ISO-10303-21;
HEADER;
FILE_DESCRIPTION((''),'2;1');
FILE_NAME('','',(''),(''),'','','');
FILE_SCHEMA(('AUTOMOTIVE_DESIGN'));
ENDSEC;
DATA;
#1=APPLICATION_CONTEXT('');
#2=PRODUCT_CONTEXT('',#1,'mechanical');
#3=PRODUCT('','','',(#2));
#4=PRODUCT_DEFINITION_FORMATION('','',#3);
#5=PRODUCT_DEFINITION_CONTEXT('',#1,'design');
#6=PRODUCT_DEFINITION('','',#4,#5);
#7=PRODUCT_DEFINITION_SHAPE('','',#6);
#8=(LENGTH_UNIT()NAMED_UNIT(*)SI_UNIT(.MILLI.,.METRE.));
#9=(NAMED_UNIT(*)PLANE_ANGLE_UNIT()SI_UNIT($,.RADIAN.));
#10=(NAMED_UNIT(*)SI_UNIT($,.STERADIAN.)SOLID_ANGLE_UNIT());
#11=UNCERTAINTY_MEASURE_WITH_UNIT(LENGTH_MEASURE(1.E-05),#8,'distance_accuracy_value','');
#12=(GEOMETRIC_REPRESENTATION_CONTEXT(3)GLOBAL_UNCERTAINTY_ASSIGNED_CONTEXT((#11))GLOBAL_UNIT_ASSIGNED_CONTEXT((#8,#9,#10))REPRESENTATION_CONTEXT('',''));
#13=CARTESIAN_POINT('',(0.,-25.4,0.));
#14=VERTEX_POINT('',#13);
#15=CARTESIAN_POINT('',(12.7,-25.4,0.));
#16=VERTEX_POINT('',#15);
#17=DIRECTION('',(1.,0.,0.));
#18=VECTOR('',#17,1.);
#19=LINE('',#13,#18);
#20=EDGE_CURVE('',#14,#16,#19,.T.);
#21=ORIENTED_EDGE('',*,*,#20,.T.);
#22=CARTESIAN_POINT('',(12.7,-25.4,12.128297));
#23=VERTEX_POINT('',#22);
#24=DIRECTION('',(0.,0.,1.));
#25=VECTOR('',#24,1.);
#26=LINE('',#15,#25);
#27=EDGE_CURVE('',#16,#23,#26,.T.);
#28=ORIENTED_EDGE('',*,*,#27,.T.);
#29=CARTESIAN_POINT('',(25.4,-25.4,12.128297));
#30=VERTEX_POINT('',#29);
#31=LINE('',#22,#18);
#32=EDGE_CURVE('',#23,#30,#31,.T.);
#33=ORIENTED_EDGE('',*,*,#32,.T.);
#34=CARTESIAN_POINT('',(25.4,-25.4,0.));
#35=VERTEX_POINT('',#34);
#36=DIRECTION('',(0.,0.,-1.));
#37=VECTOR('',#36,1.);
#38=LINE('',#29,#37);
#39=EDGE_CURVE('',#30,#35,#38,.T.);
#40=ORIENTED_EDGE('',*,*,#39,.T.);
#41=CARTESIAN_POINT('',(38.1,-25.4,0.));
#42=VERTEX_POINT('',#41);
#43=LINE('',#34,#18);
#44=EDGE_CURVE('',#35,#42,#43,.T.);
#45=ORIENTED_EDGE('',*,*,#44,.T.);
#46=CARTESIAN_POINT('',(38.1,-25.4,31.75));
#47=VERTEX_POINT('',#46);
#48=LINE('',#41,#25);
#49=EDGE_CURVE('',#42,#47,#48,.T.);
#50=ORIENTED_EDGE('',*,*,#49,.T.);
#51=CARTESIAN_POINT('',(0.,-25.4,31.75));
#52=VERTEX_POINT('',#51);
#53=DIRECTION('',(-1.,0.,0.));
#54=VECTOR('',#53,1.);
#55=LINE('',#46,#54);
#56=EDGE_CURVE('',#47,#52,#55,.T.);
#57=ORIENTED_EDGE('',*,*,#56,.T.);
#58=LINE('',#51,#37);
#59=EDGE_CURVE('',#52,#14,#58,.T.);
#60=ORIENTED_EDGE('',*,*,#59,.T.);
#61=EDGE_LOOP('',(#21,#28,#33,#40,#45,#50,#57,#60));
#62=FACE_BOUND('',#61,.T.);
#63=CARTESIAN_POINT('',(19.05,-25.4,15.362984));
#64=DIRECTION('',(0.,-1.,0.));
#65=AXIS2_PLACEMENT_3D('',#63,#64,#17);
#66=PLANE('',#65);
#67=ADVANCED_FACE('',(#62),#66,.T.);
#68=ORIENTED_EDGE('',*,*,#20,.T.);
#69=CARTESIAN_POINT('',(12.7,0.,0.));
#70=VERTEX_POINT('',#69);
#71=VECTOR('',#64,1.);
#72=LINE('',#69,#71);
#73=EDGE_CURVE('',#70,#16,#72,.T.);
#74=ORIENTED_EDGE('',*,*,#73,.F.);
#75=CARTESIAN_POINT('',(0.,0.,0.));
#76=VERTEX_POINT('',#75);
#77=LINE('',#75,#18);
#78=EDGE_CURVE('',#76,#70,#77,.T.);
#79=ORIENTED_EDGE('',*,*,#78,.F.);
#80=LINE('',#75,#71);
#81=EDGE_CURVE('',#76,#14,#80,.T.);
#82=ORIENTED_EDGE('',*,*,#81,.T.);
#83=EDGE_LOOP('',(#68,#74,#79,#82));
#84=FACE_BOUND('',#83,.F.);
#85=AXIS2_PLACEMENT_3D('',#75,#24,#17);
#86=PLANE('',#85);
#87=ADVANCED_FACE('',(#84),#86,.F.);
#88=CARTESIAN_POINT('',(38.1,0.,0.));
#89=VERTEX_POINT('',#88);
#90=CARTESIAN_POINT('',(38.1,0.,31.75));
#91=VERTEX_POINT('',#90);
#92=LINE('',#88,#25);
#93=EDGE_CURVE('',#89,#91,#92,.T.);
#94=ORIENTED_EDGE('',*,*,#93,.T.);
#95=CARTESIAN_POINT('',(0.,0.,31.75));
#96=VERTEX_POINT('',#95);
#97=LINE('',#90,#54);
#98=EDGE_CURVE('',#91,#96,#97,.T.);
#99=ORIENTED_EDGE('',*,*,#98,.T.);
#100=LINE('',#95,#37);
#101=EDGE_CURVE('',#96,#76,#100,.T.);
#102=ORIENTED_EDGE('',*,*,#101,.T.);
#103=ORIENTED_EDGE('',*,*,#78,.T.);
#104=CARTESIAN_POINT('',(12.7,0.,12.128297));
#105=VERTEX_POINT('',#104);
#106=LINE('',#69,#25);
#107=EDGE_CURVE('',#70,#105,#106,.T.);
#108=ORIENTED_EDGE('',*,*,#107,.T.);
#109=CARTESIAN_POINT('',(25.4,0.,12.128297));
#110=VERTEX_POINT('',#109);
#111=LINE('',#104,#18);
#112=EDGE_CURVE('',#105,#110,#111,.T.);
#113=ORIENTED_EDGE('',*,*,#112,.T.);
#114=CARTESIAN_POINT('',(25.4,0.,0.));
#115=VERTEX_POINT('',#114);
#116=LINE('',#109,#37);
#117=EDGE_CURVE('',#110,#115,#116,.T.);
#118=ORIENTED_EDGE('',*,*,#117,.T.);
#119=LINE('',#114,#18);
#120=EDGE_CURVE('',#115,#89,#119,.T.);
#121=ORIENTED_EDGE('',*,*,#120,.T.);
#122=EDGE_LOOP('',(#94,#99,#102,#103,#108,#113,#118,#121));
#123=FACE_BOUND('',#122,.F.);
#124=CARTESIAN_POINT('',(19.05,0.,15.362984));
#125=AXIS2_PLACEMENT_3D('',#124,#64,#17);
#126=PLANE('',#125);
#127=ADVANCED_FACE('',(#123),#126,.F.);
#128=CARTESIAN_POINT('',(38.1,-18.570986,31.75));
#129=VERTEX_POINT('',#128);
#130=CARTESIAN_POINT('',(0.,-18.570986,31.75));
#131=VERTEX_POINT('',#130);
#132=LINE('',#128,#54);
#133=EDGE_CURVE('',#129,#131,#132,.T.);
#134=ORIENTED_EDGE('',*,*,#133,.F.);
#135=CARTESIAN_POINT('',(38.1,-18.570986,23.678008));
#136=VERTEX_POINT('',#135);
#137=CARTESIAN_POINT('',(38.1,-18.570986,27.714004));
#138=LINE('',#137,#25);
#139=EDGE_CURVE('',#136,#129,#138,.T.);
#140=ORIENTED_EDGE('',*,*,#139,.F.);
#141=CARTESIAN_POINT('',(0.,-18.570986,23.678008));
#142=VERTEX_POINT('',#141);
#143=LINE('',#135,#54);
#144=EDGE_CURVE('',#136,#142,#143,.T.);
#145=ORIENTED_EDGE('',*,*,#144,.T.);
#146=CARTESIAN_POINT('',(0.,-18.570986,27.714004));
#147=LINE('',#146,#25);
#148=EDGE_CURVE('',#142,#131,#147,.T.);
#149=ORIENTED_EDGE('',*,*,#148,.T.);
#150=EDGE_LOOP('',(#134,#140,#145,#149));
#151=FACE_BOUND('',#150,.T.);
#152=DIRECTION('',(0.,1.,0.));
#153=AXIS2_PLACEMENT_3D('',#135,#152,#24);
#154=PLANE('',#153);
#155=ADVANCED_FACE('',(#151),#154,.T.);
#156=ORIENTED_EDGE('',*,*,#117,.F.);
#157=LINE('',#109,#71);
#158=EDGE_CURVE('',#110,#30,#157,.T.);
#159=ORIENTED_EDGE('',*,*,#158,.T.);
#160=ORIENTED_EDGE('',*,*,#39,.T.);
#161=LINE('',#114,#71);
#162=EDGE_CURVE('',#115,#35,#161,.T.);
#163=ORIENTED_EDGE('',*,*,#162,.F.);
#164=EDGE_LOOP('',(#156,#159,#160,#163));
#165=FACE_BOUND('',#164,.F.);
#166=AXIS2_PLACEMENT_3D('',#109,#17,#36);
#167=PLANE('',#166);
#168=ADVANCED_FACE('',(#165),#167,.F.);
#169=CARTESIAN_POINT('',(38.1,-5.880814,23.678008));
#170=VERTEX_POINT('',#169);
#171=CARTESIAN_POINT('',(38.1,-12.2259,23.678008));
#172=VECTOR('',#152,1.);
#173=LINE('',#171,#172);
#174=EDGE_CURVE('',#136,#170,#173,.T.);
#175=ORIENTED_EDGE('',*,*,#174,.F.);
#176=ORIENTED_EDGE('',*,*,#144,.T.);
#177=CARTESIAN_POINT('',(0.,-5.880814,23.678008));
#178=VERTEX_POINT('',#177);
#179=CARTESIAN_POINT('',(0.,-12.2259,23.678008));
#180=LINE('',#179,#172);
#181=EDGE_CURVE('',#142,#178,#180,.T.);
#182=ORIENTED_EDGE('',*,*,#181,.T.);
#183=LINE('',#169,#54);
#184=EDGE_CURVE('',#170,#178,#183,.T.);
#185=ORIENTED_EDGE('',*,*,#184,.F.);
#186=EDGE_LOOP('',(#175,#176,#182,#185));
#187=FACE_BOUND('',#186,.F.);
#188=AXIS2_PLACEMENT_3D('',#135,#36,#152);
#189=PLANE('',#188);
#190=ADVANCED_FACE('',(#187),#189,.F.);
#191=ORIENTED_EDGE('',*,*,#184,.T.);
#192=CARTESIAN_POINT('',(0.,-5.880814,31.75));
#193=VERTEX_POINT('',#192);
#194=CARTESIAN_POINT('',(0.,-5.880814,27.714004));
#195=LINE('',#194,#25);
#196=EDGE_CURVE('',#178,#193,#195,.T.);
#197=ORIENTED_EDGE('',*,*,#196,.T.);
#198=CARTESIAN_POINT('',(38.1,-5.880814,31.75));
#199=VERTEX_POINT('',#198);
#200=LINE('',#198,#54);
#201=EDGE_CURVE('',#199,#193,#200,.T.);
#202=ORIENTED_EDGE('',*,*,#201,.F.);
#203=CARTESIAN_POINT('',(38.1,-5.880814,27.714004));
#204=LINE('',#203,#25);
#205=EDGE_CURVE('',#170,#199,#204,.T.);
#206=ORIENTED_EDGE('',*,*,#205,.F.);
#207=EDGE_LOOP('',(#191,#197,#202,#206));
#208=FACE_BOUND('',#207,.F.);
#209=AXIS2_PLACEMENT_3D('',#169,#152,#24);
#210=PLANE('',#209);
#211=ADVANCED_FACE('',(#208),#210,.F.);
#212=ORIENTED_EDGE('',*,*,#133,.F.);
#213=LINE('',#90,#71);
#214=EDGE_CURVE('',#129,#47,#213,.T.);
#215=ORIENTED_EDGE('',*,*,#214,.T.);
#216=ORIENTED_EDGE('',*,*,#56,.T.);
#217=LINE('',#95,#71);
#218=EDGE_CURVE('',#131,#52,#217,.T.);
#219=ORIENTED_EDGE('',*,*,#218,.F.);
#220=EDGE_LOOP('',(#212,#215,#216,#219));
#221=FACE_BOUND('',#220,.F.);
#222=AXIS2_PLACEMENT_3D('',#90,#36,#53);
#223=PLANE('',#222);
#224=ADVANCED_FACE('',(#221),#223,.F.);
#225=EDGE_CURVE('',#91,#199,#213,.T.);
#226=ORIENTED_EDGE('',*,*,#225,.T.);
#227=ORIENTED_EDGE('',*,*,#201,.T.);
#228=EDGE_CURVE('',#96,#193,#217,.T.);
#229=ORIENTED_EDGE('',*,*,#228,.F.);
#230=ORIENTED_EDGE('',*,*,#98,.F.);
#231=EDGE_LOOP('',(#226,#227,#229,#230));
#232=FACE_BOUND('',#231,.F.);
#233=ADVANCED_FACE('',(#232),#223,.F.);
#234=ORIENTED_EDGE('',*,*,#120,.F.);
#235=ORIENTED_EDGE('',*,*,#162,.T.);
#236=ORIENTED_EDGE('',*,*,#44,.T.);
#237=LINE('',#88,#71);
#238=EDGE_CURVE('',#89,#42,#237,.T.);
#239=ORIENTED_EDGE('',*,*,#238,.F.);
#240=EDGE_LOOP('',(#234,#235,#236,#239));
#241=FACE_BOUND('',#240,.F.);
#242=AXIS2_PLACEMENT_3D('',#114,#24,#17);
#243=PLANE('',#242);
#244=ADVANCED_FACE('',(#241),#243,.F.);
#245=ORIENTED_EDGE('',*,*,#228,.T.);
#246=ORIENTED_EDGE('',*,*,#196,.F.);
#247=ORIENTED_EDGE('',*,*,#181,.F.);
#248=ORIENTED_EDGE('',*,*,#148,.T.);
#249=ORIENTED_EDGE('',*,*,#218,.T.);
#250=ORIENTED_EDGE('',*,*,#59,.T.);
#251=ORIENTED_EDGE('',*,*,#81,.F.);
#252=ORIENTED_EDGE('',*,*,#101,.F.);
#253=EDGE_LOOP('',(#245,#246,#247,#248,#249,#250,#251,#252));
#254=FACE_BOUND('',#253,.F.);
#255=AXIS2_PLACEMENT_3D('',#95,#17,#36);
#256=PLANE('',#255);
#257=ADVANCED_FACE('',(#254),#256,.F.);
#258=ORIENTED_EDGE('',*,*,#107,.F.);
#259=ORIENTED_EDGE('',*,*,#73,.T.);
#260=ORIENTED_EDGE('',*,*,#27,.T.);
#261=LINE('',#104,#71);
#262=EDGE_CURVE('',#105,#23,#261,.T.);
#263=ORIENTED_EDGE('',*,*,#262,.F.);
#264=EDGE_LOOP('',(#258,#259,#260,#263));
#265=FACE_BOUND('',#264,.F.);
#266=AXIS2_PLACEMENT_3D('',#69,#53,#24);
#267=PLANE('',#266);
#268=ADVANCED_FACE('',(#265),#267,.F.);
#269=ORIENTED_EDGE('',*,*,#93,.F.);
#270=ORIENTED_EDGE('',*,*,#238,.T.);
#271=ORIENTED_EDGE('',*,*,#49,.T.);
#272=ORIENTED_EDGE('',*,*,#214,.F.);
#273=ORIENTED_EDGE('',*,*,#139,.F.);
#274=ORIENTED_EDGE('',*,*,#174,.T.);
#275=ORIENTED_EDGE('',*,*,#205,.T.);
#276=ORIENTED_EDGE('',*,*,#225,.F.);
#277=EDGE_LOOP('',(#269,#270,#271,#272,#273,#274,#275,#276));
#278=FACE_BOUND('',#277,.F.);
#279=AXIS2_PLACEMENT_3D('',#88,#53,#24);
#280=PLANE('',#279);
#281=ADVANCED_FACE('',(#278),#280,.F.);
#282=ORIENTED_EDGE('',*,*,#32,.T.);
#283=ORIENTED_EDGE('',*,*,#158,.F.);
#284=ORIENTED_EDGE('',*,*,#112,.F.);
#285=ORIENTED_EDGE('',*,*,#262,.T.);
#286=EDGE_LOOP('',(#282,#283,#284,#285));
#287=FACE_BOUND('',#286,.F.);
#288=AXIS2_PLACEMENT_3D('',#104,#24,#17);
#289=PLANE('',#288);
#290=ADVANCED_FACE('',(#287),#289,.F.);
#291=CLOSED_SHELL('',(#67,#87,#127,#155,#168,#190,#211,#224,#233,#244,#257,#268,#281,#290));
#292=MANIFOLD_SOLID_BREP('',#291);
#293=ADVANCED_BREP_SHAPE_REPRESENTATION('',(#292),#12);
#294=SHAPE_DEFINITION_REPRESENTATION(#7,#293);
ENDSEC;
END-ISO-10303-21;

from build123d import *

# Parameters (mm, degrees)
F1_DEPTH = 25.4
F2_W     = 12.690172
F2_H     = 8.071992
F3_DEPTH = 38.1


with BuildPart() as f1:
    # F0 (on Front) → F1 (new body)
    with BuildSketch(Plane.XZ):
        Polygon((0, 31.75), (0, 0), (12.7, 0), (12.7, 12.128297), (25.4, 12.128297), (25.4, 0), (38.1, 0), (38.1, 31.75), align=None)
    extrude(amount=F1_DEPTH)

    # F2 (on face) → F3 (cut)
    with BuildSketch(Plane.YZ.offset(38.1)):
        with Locations((-12.2259, 27.714004)):
            Rectangle(F2_W, F2_H)
    extrude(amount=-F3_DEPTH, mode=Mode.SUBTRACT)


solid = f1.part
